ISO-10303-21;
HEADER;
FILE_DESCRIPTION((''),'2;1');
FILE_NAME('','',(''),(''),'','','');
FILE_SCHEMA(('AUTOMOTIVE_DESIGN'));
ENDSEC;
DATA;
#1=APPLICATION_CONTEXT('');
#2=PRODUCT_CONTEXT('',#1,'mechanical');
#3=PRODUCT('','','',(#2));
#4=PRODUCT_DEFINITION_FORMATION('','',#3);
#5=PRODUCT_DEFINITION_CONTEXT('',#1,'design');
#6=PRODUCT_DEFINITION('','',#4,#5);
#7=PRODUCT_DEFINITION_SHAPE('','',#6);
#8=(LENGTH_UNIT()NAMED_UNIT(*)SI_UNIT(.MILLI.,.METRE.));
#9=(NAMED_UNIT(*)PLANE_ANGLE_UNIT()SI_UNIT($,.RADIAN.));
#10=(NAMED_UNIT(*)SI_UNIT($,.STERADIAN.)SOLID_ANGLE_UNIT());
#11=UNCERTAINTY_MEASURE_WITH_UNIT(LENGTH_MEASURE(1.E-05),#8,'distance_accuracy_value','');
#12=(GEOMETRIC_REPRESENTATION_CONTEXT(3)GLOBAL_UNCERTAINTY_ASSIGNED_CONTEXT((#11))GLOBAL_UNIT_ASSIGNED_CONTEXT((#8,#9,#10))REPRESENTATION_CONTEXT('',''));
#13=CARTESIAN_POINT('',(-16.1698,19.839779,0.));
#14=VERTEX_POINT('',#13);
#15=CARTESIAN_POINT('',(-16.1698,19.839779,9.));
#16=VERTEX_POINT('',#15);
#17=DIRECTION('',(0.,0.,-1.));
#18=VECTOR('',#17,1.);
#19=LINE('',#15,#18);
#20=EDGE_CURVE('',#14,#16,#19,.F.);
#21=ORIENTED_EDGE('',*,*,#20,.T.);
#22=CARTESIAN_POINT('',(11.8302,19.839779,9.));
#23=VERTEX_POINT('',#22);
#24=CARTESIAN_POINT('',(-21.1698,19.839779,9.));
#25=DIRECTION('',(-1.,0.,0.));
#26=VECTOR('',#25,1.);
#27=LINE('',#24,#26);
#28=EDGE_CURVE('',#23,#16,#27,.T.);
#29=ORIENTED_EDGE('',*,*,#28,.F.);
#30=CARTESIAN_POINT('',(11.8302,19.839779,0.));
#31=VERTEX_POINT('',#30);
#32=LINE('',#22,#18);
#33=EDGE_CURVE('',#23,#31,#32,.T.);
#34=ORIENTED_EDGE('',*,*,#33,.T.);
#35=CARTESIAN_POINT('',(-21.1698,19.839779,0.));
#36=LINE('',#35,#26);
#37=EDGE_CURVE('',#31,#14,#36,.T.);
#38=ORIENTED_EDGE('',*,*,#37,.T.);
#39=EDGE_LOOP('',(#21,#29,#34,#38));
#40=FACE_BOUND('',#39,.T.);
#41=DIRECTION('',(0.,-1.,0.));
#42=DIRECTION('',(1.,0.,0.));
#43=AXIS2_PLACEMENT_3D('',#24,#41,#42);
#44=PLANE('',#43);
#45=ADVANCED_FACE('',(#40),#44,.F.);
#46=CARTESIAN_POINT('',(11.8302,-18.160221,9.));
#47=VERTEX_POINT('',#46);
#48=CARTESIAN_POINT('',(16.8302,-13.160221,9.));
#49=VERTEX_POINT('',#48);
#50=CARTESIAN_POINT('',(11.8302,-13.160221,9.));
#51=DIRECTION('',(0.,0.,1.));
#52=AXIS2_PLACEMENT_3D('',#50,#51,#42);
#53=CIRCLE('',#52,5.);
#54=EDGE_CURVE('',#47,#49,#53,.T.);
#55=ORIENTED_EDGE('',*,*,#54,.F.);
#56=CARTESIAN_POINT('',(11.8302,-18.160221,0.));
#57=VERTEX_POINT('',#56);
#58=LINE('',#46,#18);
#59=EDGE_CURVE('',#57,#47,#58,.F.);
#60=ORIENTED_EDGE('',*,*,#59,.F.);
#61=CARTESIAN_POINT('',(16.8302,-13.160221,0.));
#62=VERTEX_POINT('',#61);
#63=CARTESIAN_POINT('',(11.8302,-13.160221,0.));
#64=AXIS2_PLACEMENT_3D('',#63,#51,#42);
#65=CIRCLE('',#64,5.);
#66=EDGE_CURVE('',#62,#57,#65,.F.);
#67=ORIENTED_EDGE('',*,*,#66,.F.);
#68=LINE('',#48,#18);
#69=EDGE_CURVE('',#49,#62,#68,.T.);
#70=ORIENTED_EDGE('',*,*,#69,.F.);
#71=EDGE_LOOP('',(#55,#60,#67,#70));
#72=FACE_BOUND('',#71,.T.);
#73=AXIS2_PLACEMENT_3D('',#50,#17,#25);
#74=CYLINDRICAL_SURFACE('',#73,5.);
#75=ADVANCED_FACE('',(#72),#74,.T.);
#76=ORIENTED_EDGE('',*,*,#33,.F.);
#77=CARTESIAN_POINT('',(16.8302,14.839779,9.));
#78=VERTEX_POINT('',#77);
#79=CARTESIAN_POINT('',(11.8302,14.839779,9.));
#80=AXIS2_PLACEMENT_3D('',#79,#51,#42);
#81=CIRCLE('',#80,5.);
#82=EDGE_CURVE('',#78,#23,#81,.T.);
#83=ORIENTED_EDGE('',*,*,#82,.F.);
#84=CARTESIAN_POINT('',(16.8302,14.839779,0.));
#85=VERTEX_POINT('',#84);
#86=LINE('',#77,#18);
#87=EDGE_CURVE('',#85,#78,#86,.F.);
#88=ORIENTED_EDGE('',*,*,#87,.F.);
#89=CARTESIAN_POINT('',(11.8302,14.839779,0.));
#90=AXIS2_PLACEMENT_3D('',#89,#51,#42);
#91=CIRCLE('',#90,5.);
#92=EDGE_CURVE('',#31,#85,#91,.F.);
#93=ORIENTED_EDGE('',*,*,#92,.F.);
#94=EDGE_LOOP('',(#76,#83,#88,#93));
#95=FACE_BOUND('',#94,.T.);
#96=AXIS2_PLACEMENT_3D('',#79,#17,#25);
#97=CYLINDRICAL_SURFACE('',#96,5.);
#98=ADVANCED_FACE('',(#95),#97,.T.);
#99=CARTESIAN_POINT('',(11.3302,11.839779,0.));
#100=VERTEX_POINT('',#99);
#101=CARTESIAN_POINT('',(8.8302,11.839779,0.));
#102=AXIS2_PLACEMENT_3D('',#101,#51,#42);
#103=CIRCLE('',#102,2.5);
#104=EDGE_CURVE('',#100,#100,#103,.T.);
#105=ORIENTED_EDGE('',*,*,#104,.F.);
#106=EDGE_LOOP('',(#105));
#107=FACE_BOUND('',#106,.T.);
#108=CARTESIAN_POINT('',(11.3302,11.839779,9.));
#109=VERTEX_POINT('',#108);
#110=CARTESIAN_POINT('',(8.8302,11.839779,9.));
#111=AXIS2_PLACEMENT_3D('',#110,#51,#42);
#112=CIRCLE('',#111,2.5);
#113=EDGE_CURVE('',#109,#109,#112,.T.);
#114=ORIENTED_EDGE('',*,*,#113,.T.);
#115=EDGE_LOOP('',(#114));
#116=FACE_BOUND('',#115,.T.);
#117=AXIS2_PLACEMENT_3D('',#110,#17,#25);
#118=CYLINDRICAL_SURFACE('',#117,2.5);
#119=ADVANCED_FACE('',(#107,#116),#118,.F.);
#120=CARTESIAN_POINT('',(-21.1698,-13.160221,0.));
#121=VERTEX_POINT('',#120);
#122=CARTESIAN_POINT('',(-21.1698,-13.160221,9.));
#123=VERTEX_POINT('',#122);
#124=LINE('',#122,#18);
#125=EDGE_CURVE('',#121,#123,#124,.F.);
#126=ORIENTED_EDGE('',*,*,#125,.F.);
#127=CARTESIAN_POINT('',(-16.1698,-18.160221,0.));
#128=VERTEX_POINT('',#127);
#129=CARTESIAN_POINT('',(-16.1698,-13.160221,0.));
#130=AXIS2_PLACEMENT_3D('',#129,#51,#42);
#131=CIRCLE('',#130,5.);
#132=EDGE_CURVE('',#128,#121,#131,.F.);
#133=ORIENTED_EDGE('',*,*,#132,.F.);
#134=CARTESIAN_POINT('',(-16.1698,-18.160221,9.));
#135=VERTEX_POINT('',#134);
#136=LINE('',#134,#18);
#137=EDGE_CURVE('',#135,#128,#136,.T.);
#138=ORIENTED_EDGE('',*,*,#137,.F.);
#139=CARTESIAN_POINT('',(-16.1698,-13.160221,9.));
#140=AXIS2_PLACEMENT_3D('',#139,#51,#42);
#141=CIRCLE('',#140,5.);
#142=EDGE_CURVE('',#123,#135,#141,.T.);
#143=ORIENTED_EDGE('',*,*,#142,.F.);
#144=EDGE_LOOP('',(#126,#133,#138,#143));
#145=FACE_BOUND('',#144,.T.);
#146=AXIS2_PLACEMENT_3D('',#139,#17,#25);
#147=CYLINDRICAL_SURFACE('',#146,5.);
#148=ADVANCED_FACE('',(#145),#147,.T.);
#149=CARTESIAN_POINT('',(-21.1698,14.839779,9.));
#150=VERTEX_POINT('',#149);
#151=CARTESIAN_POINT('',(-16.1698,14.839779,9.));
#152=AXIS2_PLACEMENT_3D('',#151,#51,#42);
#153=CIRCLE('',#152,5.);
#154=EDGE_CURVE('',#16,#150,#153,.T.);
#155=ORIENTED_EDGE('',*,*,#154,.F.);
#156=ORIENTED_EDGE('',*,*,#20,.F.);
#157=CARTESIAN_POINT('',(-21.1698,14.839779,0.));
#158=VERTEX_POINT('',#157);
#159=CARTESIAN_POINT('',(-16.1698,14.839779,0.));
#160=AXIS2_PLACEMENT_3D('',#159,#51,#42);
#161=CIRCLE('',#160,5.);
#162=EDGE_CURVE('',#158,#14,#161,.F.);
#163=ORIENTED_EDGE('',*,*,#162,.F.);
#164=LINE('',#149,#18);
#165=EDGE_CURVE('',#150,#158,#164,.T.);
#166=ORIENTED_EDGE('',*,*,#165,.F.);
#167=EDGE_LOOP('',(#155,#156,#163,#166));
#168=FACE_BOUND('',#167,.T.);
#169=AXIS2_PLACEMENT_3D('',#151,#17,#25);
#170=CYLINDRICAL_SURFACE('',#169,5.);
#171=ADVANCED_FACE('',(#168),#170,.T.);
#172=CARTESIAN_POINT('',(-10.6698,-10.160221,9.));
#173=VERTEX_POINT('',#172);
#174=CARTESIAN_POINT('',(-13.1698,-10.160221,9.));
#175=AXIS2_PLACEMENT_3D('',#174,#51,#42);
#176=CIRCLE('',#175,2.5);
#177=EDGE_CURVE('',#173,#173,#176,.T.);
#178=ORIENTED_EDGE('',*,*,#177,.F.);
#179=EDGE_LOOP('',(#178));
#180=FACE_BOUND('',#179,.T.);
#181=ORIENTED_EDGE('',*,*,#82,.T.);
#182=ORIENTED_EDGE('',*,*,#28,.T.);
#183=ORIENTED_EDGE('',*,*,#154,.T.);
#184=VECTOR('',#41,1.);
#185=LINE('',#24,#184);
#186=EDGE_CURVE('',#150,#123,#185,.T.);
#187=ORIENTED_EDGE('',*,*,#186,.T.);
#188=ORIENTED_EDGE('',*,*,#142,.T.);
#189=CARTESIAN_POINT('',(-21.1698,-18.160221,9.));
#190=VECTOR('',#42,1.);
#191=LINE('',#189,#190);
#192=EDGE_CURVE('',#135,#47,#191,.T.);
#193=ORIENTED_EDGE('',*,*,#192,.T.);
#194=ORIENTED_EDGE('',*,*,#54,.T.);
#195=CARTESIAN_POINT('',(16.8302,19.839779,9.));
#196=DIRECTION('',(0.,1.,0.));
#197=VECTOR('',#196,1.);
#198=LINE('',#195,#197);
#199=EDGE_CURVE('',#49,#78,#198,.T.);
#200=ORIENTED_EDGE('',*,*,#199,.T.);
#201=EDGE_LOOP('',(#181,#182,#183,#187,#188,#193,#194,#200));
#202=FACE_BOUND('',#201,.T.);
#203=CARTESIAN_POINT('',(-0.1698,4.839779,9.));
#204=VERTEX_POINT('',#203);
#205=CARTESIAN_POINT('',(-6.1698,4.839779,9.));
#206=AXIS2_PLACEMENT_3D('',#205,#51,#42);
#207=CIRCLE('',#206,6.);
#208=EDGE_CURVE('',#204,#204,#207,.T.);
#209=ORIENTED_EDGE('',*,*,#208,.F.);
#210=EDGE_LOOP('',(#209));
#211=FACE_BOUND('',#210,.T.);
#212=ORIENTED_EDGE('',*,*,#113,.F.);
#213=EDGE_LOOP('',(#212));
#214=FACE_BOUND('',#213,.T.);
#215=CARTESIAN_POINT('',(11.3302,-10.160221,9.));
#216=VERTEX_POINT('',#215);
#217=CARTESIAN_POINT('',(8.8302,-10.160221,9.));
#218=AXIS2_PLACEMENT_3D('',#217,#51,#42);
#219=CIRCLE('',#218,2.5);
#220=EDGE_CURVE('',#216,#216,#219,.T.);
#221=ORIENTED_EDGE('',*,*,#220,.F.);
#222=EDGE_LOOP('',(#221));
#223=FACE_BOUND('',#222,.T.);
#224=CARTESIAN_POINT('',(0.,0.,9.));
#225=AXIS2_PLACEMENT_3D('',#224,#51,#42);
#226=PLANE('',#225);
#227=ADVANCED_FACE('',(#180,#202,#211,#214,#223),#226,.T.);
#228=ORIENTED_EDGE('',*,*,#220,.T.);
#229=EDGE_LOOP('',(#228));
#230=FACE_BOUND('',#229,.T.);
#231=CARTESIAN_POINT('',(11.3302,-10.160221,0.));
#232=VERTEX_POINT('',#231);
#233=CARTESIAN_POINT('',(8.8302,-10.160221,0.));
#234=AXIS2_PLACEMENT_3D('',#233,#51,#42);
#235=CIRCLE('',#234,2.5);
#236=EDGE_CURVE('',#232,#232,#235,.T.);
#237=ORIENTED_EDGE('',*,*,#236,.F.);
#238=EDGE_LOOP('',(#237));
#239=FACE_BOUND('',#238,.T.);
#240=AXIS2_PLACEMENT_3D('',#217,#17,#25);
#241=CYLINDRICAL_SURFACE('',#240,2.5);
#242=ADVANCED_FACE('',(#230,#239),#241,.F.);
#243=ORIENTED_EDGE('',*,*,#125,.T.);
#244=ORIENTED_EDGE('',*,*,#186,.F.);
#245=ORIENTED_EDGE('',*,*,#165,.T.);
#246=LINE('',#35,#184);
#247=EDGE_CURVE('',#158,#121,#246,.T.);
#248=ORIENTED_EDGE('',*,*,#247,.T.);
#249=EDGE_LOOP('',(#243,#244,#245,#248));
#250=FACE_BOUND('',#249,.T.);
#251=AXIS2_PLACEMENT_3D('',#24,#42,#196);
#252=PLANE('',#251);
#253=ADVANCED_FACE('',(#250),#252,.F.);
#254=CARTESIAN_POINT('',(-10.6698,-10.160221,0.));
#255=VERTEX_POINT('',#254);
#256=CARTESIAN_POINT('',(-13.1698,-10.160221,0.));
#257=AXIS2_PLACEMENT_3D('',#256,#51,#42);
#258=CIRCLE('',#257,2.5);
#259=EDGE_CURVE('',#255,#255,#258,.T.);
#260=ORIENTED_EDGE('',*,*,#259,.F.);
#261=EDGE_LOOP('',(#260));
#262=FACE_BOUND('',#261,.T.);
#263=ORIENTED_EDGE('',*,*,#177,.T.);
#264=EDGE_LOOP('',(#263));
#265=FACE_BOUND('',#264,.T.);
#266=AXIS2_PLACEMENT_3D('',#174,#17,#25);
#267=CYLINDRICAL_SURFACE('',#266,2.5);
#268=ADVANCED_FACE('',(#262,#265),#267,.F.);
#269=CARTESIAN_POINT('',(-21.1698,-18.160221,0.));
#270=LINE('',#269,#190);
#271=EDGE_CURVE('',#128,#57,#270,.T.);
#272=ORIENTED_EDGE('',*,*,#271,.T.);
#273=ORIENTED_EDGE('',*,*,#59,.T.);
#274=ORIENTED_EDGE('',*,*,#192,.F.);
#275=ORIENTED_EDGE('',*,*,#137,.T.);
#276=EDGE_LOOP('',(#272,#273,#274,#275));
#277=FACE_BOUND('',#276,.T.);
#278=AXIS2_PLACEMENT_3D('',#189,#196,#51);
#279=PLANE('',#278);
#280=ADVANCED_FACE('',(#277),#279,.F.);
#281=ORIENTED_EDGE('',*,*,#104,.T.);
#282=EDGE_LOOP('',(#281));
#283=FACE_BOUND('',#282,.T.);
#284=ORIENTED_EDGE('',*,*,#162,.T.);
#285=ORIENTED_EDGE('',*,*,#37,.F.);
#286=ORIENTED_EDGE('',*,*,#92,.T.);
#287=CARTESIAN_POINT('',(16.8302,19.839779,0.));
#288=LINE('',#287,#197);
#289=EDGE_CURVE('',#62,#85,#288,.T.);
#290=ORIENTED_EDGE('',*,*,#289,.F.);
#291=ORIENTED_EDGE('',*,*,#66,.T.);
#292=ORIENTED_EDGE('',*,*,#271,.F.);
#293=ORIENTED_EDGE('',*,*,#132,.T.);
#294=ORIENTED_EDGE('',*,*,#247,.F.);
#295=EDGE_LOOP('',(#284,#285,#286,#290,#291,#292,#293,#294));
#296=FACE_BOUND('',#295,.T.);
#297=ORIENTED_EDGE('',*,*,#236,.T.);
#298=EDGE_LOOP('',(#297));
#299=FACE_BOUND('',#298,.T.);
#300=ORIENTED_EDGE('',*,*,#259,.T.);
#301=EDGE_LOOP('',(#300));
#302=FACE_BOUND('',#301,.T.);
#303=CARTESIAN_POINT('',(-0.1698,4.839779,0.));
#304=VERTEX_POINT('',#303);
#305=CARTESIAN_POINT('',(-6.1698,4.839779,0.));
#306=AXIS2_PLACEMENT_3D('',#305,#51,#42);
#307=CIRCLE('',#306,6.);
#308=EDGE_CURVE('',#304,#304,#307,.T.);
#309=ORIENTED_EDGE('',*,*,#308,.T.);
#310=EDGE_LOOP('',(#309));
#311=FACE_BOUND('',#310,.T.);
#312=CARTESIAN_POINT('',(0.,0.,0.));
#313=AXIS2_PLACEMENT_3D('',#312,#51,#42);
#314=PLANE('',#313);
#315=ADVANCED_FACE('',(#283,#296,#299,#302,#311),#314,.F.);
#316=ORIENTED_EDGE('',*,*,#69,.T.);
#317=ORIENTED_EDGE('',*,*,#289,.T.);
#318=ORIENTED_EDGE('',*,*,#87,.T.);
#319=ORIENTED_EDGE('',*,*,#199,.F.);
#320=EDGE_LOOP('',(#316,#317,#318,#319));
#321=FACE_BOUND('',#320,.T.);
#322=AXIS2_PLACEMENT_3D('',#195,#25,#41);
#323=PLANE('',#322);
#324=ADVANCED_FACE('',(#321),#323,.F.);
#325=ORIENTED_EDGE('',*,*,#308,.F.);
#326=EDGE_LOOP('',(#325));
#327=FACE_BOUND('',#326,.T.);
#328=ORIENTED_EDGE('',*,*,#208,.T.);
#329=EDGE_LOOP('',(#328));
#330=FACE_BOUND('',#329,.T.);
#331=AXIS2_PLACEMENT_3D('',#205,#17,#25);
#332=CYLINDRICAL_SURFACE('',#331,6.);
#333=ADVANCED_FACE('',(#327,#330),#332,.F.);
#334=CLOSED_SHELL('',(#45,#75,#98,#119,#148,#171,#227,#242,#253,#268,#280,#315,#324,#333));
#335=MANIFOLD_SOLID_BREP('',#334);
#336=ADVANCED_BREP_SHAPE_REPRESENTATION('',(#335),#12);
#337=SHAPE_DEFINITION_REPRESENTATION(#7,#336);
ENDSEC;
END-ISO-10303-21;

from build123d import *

# Parameters (mm, degrees)
SKETCH_1_W      = 38
SKETCH_1_H      = 38
SKETCH_1_R      = 2.5
SKETCH_1_R_2    = 6
EXTRUDE_1_DEPTH = 9
FILLET_1_R      = 5


with BuildPart() as part:
    # 草图1 → 凸台-拉伸1 (new body)
    with BuildSketch(Plane.XY):
        with Locations((-2.169799589, 0.839779006)):
            Rectangle(SKETCH_1_W, SKETCH_1_H)
        with Locations((8.830200411, 11.839779006)):
            Circle(SKETCH_1_R, mode=Mode.SUBTRACT)
        with Locations((8.830200411, -10.160220994)):
            Circle(SKETCH_1_R, mode=Mode.SUBTRACT)
        with Locations((-13.169799589, -10.160220994)):
            Circle(SKETCH_1_R, mode=Mode.SUBTRACT)
        with Locations((-6.169799589, 4.839779006)):
            Circle(SKETCH_1_R_2, mode=Mode.SUBTRACT)
    extrude(amount=EXTRUDE_1_DEPTH)

    # 圆角1
    fillet_1_edges = [part.edges().sort_by_distance(p)[0] for p in [
        (-21.169799589, 19.839779006, 4.5),
        (16.830200411, 19.839779006, 4.5),
        (16.830200411, -18.160220994, 4.5),
        (-21.169799589, -18.160220994, 4.5),
    ]]
    fillet(fillet_1_edges, radius=FILLET_1_R)


solid = part.part
